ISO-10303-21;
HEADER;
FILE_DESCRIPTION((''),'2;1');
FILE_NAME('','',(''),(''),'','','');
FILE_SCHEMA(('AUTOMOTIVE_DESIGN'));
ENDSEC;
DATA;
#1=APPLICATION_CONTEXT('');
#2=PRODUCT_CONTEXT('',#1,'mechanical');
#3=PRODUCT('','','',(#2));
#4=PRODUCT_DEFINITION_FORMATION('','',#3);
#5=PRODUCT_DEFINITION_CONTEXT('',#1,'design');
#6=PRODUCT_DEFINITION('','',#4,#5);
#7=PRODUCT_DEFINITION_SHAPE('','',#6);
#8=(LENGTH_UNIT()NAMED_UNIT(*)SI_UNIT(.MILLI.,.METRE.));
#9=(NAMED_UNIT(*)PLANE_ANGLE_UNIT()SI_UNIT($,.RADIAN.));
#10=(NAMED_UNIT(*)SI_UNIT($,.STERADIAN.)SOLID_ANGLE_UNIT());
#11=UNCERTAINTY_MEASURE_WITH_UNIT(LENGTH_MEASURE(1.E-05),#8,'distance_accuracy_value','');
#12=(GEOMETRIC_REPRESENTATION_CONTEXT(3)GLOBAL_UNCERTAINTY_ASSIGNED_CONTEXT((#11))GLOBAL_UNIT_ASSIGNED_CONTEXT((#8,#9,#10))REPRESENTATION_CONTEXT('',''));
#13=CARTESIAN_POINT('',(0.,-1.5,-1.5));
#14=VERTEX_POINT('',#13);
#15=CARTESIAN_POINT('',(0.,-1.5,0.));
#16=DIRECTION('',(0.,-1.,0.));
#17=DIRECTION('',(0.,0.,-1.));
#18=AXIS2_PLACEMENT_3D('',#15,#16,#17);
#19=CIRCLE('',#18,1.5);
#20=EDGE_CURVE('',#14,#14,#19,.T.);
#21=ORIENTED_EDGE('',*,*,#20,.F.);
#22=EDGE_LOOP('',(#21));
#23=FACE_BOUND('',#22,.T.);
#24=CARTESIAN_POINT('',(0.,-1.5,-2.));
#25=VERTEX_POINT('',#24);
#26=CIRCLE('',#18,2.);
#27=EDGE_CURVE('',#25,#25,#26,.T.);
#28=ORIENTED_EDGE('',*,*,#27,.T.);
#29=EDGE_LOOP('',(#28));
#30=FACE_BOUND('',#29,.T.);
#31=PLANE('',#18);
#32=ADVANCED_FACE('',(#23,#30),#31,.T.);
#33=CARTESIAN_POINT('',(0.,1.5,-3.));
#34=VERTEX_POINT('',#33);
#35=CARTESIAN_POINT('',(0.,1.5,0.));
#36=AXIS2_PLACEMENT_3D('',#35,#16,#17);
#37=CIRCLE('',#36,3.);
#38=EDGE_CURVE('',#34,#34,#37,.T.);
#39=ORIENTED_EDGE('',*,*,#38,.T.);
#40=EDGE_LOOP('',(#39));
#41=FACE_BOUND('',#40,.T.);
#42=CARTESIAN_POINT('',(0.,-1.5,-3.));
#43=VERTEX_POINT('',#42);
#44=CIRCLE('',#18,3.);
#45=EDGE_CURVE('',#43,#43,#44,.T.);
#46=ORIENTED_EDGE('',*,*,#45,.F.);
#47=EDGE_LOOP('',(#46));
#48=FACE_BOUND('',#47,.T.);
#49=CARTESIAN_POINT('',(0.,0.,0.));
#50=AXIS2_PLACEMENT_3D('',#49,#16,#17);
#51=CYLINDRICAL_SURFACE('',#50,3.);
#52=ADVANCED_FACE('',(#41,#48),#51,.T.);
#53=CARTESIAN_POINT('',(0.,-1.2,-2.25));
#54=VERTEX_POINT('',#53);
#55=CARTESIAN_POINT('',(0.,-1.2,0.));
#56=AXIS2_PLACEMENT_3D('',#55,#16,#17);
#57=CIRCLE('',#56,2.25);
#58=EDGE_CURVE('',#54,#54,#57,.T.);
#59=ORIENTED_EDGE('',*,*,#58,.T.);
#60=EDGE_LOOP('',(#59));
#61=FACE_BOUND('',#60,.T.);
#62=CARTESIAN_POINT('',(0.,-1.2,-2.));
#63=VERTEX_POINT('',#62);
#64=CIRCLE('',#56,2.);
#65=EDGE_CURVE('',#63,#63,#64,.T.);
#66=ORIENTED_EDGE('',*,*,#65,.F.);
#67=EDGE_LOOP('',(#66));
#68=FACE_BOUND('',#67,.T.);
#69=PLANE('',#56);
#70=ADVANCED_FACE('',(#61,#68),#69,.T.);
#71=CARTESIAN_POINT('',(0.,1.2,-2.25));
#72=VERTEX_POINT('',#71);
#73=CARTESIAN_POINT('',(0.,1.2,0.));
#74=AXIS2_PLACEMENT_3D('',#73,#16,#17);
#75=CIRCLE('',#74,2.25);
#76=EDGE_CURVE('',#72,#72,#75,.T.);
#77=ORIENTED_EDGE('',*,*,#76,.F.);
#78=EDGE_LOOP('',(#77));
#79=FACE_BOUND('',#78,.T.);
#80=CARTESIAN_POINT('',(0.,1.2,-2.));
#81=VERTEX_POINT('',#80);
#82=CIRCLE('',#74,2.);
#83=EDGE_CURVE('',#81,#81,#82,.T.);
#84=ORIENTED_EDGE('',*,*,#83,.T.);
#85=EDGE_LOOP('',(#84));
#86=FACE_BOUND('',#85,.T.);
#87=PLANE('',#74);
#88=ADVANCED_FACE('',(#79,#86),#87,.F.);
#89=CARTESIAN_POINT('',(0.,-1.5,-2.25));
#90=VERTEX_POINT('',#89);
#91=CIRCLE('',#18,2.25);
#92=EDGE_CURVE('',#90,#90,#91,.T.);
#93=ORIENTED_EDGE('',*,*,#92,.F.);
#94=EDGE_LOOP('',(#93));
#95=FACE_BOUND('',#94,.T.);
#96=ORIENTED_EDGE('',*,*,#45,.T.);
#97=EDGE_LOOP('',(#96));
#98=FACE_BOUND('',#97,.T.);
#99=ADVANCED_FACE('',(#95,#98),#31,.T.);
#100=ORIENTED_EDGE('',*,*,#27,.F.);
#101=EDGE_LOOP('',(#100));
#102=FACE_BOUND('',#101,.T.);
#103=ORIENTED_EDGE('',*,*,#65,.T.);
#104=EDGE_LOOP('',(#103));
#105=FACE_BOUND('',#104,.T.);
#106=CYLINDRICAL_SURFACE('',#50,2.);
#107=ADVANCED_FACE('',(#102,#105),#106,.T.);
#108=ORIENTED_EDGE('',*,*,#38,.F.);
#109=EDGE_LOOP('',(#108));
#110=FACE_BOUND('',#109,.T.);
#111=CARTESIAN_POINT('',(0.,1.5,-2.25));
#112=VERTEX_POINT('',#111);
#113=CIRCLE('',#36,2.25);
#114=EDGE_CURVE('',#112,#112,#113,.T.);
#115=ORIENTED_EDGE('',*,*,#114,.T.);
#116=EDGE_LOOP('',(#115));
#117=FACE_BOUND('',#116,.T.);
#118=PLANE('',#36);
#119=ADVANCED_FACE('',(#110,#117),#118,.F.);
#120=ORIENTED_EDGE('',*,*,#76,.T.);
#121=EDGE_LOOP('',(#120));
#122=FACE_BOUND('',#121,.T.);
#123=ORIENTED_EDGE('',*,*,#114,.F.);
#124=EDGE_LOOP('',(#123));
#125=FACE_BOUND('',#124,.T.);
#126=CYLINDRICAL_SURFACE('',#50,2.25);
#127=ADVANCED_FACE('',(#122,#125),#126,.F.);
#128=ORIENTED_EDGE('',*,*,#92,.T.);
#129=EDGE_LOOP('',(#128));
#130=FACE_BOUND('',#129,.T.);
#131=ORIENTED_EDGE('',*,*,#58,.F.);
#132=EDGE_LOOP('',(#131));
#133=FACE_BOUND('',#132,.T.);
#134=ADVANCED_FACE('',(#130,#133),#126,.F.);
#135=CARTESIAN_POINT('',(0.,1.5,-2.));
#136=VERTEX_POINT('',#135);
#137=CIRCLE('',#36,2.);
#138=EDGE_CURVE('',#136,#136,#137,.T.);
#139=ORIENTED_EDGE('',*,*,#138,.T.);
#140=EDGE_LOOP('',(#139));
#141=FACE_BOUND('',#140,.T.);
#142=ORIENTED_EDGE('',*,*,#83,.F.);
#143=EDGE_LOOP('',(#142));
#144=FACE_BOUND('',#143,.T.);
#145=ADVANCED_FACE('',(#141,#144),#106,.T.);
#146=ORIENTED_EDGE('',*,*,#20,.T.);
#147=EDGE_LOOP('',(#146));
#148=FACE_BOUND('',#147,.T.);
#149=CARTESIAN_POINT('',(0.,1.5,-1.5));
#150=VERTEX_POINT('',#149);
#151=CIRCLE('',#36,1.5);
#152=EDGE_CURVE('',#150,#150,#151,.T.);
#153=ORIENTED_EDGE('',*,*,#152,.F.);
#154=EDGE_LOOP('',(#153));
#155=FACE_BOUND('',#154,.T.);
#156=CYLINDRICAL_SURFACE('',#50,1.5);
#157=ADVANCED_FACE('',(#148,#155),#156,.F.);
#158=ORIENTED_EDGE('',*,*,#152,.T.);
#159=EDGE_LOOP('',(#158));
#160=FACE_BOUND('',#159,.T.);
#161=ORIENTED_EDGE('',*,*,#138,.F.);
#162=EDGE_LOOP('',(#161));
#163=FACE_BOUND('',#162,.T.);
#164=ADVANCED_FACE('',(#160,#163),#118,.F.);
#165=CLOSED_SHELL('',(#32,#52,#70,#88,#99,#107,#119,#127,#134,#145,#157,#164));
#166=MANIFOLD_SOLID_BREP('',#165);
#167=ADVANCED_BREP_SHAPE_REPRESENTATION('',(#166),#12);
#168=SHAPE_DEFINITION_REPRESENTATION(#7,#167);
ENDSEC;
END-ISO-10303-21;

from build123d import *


with BuildPart() as part:
    # 草图1 → 旋转1 (revolve)
    with BuildSketch(Plane(origin=(0, 0, 0), x_dir=(0, 0, -1), z_dir=(1, 0, 0)), mode=Mode.PRIVATE) as revolve_1_sk:
        Polygon((-1.5, -1.5), (-2, -1.5), (-2, -1.2), (-2.25, -1.2), (-2.25, -1.5), (-3, -1.5), (-3, 1.5), (-2.25, 1.5), (-2.25, 1.2), (-2, 1.2), (-2, 1.5), (-1.5, 1.5), align=None)
    revolve(revolve_1_sk.sketch.rotate(Axis((0, 0, 0), (0, 1, 0)), 180), axis=Axis((0, 0, 0), (0, 1, 0)))


solid = part.part
